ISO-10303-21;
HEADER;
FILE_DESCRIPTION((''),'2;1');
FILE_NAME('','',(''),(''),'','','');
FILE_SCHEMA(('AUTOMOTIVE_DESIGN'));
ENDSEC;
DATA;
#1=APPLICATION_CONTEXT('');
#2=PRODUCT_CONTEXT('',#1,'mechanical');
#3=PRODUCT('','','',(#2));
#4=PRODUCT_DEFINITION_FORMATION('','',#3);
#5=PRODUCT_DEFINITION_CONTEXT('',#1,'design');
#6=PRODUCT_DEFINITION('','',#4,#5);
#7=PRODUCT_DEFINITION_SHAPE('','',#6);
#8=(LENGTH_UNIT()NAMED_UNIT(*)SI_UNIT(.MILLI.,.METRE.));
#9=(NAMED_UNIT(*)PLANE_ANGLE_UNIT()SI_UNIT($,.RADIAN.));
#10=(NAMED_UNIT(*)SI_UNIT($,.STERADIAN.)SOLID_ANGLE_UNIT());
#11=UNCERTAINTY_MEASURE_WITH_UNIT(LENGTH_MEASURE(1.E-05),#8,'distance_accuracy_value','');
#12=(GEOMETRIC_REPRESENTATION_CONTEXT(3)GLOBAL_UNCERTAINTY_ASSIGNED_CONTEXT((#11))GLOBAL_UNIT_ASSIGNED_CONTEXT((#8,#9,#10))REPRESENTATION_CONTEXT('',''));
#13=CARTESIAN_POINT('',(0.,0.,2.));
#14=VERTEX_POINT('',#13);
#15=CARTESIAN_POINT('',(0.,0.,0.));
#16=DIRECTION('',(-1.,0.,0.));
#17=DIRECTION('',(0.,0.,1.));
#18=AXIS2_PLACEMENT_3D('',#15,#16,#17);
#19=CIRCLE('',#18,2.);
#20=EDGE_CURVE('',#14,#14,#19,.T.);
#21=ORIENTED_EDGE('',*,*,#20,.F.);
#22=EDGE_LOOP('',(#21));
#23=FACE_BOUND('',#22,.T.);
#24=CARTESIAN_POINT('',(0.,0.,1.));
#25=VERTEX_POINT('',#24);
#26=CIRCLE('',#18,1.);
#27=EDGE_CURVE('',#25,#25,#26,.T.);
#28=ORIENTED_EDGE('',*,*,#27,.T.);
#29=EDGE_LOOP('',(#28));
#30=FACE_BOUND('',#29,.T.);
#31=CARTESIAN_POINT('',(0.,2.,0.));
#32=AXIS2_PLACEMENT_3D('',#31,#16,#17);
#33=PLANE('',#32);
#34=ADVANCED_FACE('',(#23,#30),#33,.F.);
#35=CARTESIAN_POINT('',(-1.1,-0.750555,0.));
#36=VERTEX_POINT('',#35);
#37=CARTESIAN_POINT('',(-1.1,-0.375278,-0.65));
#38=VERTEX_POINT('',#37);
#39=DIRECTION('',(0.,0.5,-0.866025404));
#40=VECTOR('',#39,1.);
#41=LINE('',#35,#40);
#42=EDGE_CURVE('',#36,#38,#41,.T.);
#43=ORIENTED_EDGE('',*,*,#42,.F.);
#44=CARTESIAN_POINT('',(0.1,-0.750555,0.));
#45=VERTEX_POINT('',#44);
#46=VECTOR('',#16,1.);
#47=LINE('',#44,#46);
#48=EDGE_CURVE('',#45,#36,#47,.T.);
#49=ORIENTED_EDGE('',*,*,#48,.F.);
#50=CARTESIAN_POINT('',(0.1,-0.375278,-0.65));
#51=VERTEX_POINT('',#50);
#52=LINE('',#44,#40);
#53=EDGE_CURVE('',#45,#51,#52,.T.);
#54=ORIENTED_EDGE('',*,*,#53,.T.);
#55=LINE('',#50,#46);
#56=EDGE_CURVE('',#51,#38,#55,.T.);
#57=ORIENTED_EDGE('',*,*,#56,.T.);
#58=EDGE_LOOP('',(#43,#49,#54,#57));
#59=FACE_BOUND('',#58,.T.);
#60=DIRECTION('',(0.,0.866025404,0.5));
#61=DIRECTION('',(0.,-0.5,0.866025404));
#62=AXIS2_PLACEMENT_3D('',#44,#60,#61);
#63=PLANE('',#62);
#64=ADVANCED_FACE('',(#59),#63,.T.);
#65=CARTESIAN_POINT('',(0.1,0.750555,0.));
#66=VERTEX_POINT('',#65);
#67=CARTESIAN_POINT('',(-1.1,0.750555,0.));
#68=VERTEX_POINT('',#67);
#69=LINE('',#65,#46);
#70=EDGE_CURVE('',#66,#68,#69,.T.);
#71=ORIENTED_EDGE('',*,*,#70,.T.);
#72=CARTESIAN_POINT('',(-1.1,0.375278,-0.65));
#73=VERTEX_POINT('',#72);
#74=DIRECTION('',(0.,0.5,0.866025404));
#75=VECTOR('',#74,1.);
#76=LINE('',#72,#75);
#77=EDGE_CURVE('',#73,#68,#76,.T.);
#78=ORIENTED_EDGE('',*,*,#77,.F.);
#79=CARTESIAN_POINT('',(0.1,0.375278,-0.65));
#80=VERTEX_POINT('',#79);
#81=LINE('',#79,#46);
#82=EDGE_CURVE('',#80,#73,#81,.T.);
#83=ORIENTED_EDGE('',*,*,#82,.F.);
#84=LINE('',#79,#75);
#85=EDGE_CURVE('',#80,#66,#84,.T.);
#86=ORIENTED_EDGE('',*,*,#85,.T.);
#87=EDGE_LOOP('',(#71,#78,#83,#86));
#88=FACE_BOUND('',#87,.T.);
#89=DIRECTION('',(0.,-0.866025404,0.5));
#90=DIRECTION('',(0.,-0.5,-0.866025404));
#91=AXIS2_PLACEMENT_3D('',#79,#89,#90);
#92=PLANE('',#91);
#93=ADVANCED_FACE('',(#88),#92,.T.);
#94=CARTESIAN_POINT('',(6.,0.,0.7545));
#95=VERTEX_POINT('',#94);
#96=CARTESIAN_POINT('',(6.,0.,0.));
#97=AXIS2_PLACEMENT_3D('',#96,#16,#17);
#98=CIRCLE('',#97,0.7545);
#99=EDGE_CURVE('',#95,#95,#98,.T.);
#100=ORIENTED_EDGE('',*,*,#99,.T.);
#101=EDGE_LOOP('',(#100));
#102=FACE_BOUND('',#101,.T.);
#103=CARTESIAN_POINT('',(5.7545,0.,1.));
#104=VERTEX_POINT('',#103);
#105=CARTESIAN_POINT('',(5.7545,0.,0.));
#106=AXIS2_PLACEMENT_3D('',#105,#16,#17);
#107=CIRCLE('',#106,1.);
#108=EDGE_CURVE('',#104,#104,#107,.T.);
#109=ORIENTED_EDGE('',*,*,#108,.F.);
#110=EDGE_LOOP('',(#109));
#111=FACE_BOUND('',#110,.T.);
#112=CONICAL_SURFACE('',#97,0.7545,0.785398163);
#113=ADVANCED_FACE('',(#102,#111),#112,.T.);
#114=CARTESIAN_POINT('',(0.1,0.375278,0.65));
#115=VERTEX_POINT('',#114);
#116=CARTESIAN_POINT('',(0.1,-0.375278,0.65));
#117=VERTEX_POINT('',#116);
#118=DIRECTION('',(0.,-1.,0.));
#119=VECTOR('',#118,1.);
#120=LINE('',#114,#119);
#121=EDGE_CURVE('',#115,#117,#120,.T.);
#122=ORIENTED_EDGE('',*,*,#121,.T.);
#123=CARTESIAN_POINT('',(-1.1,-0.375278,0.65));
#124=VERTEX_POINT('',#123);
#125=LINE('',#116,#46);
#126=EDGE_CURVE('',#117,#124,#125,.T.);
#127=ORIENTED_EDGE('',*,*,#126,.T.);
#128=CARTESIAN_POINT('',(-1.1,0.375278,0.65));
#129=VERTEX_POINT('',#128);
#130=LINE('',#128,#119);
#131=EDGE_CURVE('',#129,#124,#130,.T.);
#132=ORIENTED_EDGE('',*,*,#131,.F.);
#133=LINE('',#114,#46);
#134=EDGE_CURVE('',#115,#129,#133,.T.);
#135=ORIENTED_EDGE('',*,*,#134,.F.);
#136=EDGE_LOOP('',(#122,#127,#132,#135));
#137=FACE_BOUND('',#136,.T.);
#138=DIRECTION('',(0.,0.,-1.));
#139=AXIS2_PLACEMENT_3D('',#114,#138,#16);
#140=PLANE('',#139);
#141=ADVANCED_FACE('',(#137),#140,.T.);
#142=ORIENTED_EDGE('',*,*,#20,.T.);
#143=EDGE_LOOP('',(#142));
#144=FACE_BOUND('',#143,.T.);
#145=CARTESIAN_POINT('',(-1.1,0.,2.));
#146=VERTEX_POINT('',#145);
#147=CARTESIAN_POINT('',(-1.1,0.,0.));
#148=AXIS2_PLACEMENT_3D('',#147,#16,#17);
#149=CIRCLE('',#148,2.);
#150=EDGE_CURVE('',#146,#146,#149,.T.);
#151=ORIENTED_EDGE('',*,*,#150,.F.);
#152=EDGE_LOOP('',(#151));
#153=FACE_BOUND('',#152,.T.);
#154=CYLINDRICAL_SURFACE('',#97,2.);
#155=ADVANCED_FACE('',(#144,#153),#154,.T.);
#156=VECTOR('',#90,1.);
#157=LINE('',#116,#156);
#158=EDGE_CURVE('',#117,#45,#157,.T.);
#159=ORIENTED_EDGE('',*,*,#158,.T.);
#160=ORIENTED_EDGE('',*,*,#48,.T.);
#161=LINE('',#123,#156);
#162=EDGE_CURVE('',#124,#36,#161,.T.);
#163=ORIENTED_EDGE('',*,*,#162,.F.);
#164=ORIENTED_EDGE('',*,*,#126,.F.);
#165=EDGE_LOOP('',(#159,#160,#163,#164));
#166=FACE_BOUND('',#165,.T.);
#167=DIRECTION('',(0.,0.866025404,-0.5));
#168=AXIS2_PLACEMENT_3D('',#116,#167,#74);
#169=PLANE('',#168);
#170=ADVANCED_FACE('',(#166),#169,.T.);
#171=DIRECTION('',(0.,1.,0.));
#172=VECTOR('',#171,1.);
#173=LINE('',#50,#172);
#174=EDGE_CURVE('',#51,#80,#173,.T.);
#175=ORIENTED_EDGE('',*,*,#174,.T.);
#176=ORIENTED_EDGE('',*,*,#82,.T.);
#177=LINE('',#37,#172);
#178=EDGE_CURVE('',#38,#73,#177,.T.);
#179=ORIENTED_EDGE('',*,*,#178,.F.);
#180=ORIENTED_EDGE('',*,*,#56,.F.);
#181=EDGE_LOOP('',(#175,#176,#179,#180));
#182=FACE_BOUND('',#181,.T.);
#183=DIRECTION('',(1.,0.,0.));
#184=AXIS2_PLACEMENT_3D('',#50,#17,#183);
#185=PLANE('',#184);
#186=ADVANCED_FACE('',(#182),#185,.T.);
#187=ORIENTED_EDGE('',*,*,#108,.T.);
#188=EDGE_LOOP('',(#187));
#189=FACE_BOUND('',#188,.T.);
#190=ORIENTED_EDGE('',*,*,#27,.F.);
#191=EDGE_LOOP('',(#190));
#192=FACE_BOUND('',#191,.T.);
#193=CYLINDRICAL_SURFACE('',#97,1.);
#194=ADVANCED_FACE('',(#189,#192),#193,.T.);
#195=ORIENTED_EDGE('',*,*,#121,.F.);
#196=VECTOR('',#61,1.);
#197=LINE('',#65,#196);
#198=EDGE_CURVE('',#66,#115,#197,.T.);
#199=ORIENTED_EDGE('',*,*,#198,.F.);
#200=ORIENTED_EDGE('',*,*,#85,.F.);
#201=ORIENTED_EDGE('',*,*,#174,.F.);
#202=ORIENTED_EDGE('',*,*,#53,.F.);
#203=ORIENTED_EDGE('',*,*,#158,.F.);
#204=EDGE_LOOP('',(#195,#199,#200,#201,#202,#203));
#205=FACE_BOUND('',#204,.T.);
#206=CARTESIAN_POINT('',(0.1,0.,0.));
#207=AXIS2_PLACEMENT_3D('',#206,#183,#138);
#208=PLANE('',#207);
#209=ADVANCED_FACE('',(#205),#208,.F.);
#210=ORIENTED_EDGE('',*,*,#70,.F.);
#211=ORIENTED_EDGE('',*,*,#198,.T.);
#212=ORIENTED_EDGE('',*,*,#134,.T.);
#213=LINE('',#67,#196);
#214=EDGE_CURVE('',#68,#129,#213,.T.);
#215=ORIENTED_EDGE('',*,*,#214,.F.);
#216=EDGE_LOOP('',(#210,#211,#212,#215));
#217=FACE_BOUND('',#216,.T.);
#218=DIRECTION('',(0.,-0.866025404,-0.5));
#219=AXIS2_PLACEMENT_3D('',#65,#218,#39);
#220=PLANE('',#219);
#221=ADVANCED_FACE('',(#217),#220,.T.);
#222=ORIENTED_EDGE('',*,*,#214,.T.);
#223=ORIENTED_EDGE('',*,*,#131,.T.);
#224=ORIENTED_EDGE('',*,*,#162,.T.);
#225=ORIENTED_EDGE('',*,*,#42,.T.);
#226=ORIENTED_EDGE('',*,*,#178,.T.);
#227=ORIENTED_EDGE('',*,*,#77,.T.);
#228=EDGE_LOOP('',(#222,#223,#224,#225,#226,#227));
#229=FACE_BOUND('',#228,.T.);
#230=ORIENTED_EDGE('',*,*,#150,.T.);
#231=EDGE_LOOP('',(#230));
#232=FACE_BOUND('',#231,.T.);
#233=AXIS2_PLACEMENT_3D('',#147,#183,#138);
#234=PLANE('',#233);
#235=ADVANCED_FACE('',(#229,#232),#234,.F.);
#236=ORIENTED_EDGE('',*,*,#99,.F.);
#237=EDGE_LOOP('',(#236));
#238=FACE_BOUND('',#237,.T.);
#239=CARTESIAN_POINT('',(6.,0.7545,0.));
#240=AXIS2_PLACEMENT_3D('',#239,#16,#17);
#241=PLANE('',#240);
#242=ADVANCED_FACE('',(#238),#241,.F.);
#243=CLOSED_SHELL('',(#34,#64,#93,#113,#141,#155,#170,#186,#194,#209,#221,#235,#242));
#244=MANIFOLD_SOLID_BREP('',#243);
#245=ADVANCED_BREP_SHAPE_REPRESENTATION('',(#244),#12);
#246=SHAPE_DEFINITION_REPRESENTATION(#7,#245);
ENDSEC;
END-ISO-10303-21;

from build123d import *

# Parameters (mm, degrees)
CUT_EXTRUDE1_DEPTH = 1.2


with BuildPart() as part:
    # Sketch1 → Revolve1 (revolve)
    with BuildSketch(Plane.XY):
        Polygon((-1.1, 0), (-1.1, 2), (0, 2), (0, 1), (5.7545, 1), (6, 0.7545), (6, 0), align=None)
    revolve(axis=Axis((6, 0, 0), (-1, 0, 0)))

    # Sketch2 → Cut-Extrude1 (cut)
    with BuildSketch(Plane(origin=(-1.1, 0, 0), x_dir=(0, 0, -1), z_dir=(1, 0, 0))):
        Polygon((-0.65, -0.375277675), (0, -0.75055535), (0.65, -0.375277675), (0.65, 0.375277675), (0, 0.75055535), (-0.65, 0.375277675), align=None)
    extrude(amount=CUT_EXTRUDE1_DEPTH, mode=Mode.SUBTRACT)


solid = part.part
